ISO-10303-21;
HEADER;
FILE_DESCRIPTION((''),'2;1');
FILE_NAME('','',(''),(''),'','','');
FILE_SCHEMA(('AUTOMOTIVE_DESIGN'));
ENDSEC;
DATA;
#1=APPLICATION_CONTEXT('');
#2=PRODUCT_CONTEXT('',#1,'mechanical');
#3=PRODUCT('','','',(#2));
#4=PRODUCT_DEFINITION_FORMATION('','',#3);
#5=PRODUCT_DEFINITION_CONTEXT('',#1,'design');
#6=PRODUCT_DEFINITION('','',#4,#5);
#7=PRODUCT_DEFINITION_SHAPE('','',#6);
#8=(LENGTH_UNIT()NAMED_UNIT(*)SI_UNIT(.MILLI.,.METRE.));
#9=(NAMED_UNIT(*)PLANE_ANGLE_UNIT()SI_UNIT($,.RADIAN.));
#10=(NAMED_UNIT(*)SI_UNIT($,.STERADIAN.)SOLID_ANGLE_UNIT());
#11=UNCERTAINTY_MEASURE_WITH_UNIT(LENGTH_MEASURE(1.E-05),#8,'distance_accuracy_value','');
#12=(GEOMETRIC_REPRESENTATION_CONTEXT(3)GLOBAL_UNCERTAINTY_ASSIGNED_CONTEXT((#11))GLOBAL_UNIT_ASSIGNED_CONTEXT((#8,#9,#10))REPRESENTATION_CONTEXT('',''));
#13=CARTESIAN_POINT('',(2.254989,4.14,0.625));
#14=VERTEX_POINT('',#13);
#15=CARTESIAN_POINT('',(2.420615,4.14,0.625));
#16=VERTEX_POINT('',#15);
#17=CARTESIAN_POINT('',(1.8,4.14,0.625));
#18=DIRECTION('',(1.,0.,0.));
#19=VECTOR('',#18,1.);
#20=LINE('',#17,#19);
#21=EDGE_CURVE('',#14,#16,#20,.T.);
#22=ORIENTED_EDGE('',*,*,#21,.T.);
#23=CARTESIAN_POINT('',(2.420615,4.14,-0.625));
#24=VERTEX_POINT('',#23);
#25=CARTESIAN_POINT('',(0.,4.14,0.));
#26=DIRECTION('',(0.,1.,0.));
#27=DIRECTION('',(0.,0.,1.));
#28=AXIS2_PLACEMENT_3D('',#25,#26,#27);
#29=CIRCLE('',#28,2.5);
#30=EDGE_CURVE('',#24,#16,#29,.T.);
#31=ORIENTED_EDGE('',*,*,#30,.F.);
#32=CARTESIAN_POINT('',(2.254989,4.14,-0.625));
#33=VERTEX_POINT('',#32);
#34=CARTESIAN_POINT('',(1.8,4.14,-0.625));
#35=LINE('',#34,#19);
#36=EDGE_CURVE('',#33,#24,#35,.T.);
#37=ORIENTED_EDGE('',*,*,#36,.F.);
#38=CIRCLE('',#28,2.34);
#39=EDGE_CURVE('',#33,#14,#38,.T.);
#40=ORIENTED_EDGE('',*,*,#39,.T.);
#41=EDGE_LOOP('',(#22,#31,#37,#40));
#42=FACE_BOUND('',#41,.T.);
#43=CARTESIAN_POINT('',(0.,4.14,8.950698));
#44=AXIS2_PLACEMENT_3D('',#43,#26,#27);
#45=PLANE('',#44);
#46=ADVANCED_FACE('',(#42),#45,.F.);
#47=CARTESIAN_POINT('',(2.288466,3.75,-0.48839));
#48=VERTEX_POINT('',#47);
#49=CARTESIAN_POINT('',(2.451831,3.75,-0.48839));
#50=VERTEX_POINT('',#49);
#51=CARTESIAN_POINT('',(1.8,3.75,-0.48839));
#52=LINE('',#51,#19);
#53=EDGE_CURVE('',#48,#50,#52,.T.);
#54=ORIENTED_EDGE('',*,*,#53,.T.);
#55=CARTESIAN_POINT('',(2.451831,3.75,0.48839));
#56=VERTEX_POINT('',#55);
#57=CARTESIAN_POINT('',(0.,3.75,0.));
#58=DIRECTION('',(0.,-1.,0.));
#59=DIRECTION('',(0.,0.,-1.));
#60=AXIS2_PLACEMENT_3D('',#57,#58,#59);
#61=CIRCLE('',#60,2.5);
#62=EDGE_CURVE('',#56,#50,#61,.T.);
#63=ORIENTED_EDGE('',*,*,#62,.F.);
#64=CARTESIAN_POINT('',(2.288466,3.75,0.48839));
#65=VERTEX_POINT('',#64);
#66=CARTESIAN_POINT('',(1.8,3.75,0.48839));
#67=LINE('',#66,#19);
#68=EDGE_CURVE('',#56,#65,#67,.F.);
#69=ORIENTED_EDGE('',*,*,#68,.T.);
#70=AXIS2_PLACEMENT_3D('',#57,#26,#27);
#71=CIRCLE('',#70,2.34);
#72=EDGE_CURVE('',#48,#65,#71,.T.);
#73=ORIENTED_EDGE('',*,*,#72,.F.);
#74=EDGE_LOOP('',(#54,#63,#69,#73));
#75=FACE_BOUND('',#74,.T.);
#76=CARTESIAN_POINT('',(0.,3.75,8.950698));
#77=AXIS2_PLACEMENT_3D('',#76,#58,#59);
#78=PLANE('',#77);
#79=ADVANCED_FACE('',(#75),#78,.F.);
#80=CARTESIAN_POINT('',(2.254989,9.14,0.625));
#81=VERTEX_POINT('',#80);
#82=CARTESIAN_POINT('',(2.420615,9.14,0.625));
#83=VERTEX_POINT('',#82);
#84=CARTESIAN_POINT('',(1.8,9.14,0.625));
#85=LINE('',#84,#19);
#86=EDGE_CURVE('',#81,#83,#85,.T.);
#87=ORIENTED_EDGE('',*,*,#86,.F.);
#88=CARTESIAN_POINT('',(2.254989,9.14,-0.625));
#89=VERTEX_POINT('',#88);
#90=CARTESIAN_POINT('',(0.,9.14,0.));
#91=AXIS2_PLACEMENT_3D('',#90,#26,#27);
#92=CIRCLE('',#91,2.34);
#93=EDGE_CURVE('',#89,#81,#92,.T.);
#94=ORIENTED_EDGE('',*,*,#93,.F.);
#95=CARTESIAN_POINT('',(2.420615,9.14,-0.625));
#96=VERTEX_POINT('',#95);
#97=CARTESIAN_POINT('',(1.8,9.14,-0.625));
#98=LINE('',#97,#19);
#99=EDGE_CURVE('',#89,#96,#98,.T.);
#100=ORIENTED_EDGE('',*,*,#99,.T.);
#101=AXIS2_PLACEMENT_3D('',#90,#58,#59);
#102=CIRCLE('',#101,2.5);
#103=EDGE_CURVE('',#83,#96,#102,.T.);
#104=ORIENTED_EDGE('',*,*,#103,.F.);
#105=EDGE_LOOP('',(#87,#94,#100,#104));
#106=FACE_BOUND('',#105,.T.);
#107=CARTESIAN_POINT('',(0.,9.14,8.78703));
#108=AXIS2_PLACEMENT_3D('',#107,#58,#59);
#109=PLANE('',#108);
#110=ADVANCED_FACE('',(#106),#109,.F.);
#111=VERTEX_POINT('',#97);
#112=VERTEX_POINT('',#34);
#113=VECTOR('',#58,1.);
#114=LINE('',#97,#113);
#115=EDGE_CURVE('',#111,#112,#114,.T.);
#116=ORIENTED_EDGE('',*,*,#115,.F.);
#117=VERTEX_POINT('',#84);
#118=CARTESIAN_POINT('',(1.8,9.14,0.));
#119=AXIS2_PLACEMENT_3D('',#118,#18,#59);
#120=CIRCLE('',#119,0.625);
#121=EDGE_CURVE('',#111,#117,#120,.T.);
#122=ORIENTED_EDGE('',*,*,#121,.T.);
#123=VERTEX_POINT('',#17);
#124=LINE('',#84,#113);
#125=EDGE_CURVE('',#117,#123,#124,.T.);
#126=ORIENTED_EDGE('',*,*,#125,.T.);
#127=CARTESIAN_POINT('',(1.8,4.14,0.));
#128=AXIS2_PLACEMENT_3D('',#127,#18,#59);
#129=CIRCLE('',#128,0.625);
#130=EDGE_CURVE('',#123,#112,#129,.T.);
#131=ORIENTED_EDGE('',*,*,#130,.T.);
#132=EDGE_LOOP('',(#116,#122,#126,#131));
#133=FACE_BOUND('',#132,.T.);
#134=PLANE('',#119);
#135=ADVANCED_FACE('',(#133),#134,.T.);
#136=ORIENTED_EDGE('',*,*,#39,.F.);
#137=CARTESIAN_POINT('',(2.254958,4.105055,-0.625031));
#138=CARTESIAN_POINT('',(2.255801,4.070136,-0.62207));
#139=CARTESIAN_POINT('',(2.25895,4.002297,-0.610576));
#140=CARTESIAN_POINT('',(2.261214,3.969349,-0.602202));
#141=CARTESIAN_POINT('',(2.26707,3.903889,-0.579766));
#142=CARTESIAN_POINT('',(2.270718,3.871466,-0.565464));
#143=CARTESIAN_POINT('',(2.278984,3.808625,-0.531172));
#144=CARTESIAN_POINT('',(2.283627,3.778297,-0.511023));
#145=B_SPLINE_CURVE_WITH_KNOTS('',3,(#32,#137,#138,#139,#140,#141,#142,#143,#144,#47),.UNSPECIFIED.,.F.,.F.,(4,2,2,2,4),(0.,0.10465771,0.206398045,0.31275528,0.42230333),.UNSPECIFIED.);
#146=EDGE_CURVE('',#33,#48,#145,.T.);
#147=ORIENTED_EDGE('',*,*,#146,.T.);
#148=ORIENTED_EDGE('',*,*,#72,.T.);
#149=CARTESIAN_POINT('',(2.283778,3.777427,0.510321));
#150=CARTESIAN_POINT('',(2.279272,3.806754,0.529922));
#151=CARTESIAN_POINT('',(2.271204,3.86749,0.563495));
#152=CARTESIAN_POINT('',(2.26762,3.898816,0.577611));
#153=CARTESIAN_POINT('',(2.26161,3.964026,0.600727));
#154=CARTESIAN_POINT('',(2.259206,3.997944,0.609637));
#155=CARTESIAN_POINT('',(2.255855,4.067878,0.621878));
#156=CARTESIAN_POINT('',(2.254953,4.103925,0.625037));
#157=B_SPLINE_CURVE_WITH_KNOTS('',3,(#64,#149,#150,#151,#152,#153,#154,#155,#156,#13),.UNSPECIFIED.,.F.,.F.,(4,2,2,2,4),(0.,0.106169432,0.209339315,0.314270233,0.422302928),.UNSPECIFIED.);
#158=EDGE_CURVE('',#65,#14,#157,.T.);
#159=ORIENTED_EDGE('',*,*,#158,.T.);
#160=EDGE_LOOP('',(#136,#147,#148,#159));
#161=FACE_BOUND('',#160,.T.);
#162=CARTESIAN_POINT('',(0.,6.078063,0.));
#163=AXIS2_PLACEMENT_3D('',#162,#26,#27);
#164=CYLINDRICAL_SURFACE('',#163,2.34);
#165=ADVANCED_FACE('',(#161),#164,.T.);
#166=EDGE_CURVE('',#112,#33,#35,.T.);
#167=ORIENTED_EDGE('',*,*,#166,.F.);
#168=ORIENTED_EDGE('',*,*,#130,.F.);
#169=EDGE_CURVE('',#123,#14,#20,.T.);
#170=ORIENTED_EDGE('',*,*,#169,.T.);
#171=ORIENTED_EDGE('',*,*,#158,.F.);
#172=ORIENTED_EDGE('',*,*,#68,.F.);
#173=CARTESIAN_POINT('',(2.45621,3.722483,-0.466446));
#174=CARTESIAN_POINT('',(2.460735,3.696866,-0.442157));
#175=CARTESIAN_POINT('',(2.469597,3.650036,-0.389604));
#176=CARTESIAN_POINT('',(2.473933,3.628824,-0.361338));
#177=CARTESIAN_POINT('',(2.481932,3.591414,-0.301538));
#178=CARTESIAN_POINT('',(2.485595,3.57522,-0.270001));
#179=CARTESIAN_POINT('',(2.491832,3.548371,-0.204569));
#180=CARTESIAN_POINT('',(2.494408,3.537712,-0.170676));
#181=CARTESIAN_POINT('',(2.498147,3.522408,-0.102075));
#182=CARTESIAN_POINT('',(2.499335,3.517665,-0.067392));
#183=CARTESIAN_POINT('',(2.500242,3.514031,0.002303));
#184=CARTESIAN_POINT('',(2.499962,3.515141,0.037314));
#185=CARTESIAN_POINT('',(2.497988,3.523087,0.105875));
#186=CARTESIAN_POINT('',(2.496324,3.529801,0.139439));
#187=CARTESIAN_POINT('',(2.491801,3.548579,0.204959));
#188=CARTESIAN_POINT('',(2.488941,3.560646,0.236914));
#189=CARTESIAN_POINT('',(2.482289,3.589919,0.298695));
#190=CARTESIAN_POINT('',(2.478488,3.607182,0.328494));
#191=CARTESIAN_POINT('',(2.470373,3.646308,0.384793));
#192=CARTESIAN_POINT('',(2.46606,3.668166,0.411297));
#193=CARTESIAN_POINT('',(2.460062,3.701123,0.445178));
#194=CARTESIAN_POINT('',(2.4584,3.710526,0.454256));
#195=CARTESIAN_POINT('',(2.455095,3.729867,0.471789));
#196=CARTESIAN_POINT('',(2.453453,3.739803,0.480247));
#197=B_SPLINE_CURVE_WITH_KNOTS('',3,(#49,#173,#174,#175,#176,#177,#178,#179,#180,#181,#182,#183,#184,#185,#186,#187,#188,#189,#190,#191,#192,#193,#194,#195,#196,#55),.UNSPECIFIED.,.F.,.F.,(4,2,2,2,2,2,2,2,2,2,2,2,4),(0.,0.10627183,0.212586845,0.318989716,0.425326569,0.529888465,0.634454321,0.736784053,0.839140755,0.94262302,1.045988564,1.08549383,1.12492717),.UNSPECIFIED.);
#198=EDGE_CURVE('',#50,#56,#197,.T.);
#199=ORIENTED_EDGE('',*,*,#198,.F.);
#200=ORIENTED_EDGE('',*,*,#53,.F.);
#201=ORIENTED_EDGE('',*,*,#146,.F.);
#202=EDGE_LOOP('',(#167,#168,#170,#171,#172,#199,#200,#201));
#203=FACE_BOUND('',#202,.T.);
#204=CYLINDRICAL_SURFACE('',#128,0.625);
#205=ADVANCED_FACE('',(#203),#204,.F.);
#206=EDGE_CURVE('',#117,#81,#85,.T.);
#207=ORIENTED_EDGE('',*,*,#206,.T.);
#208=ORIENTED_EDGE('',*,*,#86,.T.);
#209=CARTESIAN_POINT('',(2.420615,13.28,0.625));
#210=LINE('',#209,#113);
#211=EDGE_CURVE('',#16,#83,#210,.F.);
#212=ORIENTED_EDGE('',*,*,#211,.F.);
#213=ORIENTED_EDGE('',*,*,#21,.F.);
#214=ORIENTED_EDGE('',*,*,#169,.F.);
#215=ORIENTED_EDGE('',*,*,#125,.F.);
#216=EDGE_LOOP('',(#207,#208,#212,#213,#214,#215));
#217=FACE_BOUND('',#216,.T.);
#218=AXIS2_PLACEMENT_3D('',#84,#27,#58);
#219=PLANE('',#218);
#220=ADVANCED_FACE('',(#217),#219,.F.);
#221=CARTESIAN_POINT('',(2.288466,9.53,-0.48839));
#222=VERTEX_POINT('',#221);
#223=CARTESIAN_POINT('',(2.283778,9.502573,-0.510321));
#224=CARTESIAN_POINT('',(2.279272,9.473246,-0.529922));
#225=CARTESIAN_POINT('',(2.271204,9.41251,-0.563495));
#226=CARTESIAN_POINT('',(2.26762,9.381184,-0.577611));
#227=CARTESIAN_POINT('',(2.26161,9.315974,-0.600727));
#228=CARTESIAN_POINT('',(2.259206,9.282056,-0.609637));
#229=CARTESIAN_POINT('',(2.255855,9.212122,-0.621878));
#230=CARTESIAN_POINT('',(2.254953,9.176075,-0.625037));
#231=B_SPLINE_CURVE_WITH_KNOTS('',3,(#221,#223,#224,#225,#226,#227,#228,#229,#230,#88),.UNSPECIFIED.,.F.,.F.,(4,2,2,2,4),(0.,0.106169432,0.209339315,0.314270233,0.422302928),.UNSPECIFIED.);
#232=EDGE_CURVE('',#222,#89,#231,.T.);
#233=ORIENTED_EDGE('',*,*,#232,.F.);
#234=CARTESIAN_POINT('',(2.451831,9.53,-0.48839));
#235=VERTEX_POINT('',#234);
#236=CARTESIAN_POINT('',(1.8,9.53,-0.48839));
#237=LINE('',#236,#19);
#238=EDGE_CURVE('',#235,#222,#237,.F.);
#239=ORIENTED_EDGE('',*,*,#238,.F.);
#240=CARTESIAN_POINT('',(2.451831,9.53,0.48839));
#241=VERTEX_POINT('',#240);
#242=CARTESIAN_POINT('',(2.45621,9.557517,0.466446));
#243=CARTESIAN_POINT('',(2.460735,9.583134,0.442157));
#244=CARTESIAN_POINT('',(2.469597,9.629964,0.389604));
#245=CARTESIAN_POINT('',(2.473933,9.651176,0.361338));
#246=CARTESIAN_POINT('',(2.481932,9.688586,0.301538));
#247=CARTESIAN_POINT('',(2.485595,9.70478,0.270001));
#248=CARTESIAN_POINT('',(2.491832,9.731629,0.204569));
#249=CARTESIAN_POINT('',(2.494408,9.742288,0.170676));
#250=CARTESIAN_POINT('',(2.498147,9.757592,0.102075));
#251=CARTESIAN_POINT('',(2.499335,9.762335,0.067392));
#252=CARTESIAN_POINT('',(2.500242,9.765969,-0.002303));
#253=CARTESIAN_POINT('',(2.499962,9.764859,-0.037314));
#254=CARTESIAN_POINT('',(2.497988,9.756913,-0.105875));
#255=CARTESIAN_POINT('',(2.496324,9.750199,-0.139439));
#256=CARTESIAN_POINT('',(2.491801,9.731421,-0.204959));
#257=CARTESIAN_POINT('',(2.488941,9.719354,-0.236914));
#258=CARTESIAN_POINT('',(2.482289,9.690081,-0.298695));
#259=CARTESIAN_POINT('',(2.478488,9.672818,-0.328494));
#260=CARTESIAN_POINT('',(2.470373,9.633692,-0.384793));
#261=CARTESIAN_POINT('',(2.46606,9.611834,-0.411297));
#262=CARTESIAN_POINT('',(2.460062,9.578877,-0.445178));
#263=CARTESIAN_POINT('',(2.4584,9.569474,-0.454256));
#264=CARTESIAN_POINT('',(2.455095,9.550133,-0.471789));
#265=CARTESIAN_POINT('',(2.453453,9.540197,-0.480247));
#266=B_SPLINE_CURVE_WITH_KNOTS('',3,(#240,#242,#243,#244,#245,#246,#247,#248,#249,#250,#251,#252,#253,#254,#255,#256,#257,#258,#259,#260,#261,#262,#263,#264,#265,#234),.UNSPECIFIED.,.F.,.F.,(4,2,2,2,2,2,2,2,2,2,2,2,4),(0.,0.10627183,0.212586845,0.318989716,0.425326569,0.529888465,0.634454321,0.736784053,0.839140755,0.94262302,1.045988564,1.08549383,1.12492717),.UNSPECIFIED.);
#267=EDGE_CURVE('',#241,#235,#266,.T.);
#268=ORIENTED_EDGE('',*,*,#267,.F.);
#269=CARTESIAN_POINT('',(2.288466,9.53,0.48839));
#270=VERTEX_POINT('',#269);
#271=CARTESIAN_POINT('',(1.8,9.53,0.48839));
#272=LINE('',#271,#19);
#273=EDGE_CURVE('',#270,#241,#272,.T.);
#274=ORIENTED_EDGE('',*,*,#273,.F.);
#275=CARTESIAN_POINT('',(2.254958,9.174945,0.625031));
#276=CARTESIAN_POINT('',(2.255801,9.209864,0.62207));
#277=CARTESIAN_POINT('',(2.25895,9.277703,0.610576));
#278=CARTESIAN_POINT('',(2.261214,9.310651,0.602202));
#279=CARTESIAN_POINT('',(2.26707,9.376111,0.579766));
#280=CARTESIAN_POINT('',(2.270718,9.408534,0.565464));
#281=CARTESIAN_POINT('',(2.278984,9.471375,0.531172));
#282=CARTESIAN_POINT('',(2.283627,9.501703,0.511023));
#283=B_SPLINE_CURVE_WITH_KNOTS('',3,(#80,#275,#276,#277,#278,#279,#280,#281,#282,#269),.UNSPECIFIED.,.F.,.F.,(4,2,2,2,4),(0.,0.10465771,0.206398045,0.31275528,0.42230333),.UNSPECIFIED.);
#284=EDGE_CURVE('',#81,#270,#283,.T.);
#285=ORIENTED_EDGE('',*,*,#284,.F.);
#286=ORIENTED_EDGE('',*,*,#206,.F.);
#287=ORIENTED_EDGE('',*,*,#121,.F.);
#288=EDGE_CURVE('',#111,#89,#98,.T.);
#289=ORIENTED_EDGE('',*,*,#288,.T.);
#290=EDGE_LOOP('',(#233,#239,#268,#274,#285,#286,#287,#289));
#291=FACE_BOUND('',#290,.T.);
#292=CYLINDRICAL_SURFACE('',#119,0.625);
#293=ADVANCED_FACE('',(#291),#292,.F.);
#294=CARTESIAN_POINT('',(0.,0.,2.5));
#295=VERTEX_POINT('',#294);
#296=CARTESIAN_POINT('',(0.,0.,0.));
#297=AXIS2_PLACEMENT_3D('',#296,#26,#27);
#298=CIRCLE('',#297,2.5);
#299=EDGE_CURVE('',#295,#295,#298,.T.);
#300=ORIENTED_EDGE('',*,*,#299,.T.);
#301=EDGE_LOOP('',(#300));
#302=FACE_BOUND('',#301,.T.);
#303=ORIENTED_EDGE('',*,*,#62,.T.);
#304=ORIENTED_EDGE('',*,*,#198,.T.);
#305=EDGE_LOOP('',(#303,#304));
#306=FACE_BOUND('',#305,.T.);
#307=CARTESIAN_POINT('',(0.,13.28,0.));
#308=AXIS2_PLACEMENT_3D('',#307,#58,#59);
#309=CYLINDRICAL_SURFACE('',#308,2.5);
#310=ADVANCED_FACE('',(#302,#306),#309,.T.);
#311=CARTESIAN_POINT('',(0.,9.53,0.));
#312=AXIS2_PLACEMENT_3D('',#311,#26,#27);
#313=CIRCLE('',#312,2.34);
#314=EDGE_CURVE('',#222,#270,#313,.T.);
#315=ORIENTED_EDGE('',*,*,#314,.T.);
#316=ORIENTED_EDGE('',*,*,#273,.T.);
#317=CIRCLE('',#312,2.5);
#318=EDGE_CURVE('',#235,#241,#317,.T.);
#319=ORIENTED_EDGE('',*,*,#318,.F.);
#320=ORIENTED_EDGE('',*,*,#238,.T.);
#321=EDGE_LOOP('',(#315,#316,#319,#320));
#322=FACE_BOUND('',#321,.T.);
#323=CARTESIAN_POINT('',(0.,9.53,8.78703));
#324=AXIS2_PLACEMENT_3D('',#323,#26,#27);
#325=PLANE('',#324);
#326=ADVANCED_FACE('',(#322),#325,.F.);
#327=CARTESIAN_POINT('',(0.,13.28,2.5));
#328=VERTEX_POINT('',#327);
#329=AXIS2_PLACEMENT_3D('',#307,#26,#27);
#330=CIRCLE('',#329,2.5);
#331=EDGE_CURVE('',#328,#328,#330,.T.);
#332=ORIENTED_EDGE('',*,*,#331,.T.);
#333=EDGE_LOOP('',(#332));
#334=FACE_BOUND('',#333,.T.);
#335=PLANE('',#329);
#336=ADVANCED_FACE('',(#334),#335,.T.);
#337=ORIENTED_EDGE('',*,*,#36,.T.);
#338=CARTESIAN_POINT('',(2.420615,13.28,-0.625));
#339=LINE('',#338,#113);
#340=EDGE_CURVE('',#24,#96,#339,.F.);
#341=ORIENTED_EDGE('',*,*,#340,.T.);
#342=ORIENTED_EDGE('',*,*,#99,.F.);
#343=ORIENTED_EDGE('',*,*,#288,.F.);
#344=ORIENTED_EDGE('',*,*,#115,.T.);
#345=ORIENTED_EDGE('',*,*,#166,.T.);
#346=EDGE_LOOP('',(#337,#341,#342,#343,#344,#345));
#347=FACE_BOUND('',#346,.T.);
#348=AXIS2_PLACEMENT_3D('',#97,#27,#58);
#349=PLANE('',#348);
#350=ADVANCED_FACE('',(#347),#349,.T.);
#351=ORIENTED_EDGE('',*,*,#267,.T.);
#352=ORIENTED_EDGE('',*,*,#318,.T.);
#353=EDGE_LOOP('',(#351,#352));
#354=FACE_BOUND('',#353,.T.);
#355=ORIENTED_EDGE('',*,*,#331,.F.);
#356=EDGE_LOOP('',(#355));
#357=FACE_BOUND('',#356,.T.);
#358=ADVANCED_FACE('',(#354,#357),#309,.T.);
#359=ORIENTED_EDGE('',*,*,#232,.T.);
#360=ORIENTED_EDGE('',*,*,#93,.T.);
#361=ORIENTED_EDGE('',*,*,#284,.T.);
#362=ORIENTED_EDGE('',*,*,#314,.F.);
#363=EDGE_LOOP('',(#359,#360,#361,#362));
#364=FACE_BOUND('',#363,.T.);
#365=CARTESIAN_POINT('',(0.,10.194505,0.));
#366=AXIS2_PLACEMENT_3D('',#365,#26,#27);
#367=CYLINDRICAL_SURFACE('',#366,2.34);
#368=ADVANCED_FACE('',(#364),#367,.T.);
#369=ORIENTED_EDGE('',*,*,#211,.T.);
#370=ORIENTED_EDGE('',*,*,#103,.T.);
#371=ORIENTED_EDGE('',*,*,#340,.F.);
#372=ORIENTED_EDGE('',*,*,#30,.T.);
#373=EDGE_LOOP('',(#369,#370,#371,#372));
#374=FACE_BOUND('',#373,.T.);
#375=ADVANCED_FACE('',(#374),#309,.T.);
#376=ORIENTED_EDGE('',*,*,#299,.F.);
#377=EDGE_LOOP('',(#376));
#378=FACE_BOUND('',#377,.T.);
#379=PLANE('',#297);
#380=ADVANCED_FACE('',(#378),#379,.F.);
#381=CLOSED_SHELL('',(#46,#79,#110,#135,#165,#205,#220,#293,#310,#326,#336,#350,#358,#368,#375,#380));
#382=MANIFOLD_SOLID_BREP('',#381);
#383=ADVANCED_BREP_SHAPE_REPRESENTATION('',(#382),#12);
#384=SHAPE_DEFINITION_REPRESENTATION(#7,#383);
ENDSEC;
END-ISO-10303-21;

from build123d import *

# Parameters (mm, degrees)
SKETCH1_R           = 2.5
BOSS_EXTRUDE1_DEPTH = 13.28
SKETCH2_W           = 6.44702982
SKETCH2_H           = 0.39
SKETCH3_W           = 6.610697995
SKETCH3_H           = 0.39
CUT_EXTRUDE1_DEPTH  = 0.7


with BuildPart() as part:
    # Sketch1 → Boss-Extrude1 (new body)
    with BuildSketch(Plane(origin=(0, 0, 0), x_dir=(1, 0, 0), z_dir=(0, 1, 0))):
        with Locations(Location((0, 0, 0), (0, 0, 90))):
            Circle(SKETCH1_R)
    extrude(amount=BOSS_EXTRUDE1_DEPTH)

    # Sketch2 → Cut-Revolve1 (revolve, cut)
    with BuildSketch(Plane(origin=(0, 0, 0), x_dir=(0, 0, -1), z_dir=(1, 0, 0)), mode=Mode.PRIVATE) as cut_revolve1_sk:
        with Locations((-5.56351491, 9.335)):
            Rectangle(SKETCH2_W, SKETCH2_H)
    revolve(cut_revolve1_sk.sketch.rotate(Axis((0, 10.194505394, 0), (0, -1, 0)), 180), axis=Axis((0, 10.194505394, 0), (0, -1, 0)), mode=Mode.SUBTRACT)

    # Sketch3 → Cut-Revolve2 (revolve, cut)
    with BuildSketch(Plane(origin=(0, 0, 0), x_dir=(0, 0, -1), z_dir=(1, 0, 0)), mode=Mode.PRIVATE) as cut_revolve2_sk:
        with Locations((-5.645348998, 3.945)):
            Rectangle(SKETCH3_W, SKETCH3_H)
    revolve(cut_revolve2_sk.sketch.rotate(Axis((0, 6.07806317, 0), (0, -1, 0)), 180), axis=Axis((0, 6.07806317, 0), (0, -1, 0)), mode=Mode.SUBTRACT)

    # Sketch4 → Cut-Extrude1 (cut)
    with BuildSketch(Plane(origin=(2.5, 0, 0), x_dir=(0, 0, -1), z_dir=(1, 0, 0))):
        with BuildLine():
            Line((0.625, 9.14), (0.625, 4.14))
            ThreePointArc((0.625, 4.14), (0, 3.515), (-0.625, 4.14))
            Line((-0.625, 4.14), (-0.625, 9.14))
            ThreePointArc((-0.625, 9.14), (0, 9.765), (0.625, 9.14))
        make_face()
    extrude(amount=-CUT_EXTRUDE1_DEPTH, mode=Mode.SUBTRACT)


solid = part.part
